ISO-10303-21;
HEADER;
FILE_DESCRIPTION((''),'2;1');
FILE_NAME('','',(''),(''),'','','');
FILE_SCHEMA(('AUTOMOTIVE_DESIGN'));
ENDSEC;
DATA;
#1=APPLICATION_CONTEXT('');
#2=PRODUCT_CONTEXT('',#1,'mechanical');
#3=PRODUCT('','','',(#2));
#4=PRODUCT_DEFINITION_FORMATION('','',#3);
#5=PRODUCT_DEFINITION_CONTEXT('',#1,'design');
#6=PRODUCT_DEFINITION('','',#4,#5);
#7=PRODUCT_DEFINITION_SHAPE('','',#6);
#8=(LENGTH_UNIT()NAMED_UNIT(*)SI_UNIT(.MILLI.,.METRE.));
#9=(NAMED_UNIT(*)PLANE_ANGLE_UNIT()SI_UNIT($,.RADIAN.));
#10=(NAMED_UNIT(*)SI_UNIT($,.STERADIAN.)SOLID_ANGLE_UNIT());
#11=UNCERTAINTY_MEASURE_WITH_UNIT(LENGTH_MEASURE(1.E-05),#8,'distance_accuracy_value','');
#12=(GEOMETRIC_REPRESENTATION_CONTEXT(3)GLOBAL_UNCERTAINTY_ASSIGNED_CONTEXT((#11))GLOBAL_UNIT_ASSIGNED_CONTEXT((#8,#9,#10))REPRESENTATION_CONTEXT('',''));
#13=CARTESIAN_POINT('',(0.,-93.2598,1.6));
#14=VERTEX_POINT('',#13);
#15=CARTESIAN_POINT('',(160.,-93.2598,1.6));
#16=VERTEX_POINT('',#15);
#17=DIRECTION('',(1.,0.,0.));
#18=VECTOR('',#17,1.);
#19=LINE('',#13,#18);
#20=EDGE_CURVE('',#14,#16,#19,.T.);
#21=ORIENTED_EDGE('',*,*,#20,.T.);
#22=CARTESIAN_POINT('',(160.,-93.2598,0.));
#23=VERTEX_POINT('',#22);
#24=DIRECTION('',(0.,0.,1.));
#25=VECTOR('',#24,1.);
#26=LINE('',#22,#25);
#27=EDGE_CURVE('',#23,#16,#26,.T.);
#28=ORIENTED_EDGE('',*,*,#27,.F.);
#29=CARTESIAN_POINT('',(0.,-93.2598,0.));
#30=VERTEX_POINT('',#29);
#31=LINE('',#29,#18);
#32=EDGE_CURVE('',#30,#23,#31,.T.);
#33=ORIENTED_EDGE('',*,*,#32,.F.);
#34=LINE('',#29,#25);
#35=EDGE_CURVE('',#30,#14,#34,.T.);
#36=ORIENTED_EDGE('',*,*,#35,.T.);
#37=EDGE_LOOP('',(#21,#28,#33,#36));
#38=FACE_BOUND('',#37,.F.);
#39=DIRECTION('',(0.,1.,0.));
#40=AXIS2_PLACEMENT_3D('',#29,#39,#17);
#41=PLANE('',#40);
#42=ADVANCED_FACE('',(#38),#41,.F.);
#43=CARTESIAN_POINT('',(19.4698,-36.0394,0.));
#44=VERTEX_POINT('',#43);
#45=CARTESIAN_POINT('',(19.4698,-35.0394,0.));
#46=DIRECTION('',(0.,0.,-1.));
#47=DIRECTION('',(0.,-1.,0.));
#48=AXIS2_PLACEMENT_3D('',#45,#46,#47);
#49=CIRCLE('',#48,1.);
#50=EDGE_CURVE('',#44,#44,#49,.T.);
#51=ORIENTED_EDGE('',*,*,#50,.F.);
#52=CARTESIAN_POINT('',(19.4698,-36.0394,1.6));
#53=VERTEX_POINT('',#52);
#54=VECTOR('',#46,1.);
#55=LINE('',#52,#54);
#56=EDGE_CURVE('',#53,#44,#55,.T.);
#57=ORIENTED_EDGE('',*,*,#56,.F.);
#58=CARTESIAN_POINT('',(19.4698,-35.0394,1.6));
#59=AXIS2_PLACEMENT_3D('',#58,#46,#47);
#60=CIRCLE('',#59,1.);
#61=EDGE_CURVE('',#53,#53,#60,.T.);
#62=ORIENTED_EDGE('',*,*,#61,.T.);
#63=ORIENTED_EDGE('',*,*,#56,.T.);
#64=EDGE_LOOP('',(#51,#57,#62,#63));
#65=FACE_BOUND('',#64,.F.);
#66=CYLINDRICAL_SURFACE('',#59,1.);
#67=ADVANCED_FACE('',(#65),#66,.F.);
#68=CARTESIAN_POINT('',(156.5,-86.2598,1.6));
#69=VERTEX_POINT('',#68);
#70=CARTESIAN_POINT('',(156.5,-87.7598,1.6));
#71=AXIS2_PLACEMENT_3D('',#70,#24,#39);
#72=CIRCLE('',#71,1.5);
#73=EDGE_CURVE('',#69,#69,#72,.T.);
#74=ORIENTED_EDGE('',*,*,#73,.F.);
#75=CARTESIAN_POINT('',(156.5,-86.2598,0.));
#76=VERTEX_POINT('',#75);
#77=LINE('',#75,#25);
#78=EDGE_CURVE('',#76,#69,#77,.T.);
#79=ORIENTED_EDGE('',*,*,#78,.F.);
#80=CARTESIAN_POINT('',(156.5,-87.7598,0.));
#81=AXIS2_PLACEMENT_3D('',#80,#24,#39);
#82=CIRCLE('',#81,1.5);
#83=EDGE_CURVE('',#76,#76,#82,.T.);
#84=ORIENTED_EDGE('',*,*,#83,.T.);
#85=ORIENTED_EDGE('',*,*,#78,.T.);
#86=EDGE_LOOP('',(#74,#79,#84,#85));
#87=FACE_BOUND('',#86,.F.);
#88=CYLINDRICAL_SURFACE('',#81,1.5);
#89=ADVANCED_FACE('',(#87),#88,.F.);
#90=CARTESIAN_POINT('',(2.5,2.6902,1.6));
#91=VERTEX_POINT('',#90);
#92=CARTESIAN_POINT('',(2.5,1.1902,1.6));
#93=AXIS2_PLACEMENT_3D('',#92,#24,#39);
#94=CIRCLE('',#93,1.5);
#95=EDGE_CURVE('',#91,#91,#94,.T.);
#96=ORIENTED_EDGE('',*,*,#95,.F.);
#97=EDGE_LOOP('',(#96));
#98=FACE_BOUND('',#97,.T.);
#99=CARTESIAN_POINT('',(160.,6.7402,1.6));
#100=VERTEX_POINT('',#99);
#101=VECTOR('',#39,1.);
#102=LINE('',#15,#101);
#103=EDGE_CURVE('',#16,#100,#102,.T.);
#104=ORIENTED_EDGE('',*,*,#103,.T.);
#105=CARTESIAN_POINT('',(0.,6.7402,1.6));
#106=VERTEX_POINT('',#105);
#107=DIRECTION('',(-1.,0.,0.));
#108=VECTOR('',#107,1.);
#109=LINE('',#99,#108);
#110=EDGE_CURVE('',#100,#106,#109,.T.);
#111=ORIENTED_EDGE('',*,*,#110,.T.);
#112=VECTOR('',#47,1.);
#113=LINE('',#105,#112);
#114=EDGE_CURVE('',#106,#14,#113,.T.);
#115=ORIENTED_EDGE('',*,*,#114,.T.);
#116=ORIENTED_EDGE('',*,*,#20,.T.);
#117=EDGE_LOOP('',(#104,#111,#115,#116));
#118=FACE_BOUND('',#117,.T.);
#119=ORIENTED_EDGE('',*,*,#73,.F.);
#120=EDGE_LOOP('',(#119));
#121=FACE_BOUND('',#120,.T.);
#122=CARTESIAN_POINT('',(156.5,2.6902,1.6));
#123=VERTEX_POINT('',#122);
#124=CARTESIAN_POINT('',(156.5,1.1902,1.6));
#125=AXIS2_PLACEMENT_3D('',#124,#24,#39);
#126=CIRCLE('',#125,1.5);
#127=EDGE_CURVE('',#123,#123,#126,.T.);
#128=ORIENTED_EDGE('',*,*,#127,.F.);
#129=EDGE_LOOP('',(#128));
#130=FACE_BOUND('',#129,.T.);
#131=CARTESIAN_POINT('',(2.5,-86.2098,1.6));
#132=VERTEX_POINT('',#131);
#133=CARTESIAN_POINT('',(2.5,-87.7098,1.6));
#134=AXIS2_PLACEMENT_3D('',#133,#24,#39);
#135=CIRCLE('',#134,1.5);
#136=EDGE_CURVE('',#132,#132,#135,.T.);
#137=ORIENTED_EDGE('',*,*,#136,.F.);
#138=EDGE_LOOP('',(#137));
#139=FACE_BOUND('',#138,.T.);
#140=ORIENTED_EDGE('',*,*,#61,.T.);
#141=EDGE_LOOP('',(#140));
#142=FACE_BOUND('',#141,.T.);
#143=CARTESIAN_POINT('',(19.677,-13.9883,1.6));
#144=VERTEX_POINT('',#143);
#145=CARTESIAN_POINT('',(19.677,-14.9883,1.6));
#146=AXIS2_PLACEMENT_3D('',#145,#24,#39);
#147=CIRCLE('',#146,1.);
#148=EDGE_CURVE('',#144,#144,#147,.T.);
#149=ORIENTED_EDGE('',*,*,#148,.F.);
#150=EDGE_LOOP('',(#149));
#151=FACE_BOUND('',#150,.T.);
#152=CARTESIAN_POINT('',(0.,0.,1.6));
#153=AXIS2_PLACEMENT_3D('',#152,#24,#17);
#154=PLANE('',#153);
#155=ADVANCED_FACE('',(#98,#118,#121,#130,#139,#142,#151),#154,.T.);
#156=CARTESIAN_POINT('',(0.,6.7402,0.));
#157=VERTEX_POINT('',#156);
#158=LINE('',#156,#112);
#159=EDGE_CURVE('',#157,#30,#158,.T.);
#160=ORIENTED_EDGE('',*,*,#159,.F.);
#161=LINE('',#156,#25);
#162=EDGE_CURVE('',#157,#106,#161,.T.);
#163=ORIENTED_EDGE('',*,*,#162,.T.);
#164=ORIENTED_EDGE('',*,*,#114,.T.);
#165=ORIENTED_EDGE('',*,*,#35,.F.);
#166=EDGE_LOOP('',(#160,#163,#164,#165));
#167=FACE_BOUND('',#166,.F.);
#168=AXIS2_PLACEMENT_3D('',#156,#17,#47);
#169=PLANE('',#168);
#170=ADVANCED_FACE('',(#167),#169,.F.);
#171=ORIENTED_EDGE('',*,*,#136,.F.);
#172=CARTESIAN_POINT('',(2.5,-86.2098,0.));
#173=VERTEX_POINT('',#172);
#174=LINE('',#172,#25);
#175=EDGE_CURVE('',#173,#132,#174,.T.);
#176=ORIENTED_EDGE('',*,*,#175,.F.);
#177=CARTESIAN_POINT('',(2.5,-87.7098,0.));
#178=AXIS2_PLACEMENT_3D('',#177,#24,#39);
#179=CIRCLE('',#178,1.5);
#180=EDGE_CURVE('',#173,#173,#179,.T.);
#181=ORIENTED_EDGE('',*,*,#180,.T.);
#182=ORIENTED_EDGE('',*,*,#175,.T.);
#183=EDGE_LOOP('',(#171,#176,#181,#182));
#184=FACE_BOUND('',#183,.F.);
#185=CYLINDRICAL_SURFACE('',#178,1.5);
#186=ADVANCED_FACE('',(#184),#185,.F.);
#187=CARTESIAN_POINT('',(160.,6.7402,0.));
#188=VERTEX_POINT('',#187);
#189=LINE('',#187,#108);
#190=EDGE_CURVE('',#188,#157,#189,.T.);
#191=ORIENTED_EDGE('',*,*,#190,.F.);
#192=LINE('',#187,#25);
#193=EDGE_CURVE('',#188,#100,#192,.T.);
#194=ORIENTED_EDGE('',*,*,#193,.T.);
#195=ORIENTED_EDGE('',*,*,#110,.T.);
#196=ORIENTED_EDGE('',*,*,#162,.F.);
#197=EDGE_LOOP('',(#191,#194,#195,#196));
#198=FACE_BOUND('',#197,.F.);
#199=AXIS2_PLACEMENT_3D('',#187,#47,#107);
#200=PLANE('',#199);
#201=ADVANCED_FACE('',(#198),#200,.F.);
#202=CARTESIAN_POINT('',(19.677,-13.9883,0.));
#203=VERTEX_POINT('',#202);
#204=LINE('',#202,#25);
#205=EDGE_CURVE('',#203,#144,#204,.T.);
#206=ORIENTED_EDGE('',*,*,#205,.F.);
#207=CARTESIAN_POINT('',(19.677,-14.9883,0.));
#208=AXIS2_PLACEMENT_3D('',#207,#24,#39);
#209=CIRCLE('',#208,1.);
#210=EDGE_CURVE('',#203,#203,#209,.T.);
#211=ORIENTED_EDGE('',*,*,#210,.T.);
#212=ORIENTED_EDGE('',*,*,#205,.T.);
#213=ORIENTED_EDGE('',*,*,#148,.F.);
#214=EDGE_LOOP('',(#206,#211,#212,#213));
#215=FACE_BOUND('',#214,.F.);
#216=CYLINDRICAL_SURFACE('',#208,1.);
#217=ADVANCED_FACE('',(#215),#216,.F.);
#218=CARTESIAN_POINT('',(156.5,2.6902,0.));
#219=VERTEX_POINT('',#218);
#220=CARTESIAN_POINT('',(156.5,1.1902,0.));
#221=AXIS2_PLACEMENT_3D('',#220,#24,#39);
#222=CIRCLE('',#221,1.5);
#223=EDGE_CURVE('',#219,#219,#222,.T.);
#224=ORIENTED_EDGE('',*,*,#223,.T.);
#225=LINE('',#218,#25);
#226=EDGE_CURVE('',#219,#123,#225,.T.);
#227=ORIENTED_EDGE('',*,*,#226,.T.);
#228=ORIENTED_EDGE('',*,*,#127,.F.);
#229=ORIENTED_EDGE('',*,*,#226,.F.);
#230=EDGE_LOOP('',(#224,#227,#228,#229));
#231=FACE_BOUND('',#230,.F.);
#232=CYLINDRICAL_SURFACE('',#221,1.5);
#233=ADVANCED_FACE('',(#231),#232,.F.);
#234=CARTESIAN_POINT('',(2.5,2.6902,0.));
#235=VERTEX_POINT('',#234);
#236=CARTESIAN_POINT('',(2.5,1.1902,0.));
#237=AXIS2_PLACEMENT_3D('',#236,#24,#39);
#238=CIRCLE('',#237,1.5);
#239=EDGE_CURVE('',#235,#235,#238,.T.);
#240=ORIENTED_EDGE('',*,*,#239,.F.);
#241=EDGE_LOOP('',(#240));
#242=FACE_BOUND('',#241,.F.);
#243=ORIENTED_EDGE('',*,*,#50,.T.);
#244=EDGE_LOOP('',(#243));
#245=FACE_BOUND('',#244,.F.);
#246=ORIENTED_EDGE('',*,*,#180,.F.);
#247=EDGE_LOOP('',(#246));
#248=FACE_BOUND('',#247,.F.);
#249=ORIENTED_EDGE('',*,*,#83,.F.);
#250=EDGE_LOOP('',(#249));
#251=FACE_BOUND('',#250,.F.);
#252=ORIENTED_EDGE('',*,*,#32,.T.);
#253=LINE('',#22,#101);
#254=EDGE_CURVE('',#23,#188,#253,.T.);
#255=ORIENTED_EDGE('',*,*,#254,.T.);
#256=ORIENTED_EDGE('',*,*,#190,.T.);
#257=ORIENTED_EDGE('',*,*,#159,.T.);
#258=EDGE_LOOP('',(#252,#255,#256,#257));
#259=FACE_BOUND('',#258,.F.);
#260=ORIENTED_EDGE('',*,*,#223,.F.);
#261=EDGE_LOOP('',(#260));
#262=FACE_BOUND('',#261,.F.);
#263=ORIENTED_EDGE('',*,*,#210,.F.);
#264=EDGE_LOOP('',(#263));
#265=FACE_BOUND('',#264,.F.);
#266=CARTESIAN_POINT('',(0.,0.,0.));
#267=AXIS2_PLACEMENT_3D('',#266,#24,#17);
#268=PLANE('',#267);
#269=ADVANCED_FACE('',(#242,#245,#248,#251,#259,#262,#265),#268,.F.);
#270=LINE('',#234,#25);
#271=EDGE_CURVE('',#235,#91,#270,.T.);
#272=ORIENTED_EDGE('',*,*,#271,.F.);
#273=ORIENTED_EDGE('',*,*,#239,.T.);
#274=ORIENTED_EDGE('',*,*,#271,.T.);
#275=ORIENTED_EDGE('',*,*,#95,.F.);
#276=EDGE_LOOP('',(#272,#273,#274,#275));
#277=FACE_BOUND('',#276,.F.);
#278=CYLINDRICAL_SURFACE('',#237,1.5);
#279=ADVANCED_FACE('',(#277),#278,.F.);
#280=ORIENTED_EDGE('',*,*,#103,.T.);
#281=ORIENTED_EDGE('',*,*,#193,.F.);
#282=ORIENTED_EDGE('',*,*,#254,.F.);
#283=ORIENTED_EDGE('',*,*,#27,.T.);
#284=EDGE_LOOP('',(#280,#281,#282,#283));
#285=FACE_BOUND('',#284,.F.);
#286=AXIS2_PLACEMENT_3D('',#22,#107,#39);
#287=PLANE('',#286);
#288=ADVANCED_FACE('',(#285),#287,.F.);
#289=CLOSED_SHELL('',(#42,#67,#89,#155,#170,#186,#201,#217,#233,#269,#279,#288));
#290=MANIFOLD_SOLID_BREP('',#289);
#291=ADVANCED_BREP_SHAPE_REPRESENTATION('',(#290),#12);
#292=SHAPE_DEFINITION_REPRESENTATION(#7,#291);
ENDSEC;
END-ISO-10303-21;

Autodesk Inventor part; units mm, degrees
ref_plane "YZ Plane" through (0, 0, 0) normal (1, 0, 0) x (0, 1, 0)
ref_plane "XZ Plane" through (0, 0, 0) normal (0, 1, 0) x (-1, 0, 0)
ref_plane "XY Plane" through (0, 0, 0) normal (0, 0, 1) x (1, 0, 0)
sketch "Skizze1" plane through (0, 0, 0) normal (0, 0, 1) x (1, 0, 0)
  line L0 (0, -93.2598) -> (160, -93.2598)
  line L1 (160, -93.2598) -> (160, 6.7402)
  line L2 (160, 6.7402) -> (0, 6.7402)
  line L3 (0, 6.7402) -> (0, -93.2598)
  circle A0 centre (5.4, -3.8898) radius 0.4
  point P0 (2.5, 1.1902)
  point P1 (156.5, 1.1902)
  point P2 (2.5, -87.7098)
  point P3 (156.5, -87.7598)
  point P4 (19.5566, -14.9779)
  dimension "d0" = 160
  dimension "d1" = 100
  dimension "d146" = 0.8
  dimension "d147" = 5.4
  dimension "d148" = 10.63
  dimension "d162" = 5.55
  dimension "d163" = 2.5
  dimension "d164" = 154
  dimension "d165" = 88.9
  dimension "d194" = 5.55
extrude "Extrusion1" add sketch "Skizze1" along normal blind 1.6 contours L3 L2 L1 L0 | A0
sketch "Skizze2" plane through (0, 0, 1.6) normal (0, 0, 1) x (1, 0, 0)
  line L0 (0, -93.2598) -> (0, 6.7402) projected
  line L1 (4.4, -2.8898) -> (6.4, -2.8898)
  line L2 (6.4, -2.8898) -> (6.4, -4.8898)
  line L3 (6.4, -4.8898) -> (4.4, -4.8898)
  line L4 (4.4, -4.8898) -> (4.4, -2.8898)
  line L5 (0, 6.7402) -> (160, 6.7402) projected
  dimension "d4" = 2
  dimension "d5" = 2
  dimension "d7" = 4.4
  dimension "d145" = 9.63
hole "Bohrung12" at (2.5, 1.1902, 0) at (156.5, 1.1902, 0) at (2.5, -87.7098, 0) at (156.5, -87.7598, 0) direction (0, 0, 1) diameter 3 end through all
sketch "Skizze7" plane through (0, 0, 0) normal (0, 0, -1) x (-1, 0, 0)
  circle A0 centre (-19.677, -14.9883) radius 1.0356
  point P0 (0, 0)
hole "Hole14" at (19.677, -14.9883, 0) direction (0, 0, 1) diameter 2 depth 4 tip angle 118
sketch "Skizze8" plane through (0, 0, 1.6) normal (0, 0, 1) x (1, 0, 0)
  point P0 (0, 0)
  point P1 (19.4698, -35.0394)
hole "Hole15" at (19.4698, -35.0394, 1.6) direction (0, 0, -1) diameter 2 depth 4 tip angle 118
properties part number "Leiterplatte" material "Polyaryletherketone Resin"
